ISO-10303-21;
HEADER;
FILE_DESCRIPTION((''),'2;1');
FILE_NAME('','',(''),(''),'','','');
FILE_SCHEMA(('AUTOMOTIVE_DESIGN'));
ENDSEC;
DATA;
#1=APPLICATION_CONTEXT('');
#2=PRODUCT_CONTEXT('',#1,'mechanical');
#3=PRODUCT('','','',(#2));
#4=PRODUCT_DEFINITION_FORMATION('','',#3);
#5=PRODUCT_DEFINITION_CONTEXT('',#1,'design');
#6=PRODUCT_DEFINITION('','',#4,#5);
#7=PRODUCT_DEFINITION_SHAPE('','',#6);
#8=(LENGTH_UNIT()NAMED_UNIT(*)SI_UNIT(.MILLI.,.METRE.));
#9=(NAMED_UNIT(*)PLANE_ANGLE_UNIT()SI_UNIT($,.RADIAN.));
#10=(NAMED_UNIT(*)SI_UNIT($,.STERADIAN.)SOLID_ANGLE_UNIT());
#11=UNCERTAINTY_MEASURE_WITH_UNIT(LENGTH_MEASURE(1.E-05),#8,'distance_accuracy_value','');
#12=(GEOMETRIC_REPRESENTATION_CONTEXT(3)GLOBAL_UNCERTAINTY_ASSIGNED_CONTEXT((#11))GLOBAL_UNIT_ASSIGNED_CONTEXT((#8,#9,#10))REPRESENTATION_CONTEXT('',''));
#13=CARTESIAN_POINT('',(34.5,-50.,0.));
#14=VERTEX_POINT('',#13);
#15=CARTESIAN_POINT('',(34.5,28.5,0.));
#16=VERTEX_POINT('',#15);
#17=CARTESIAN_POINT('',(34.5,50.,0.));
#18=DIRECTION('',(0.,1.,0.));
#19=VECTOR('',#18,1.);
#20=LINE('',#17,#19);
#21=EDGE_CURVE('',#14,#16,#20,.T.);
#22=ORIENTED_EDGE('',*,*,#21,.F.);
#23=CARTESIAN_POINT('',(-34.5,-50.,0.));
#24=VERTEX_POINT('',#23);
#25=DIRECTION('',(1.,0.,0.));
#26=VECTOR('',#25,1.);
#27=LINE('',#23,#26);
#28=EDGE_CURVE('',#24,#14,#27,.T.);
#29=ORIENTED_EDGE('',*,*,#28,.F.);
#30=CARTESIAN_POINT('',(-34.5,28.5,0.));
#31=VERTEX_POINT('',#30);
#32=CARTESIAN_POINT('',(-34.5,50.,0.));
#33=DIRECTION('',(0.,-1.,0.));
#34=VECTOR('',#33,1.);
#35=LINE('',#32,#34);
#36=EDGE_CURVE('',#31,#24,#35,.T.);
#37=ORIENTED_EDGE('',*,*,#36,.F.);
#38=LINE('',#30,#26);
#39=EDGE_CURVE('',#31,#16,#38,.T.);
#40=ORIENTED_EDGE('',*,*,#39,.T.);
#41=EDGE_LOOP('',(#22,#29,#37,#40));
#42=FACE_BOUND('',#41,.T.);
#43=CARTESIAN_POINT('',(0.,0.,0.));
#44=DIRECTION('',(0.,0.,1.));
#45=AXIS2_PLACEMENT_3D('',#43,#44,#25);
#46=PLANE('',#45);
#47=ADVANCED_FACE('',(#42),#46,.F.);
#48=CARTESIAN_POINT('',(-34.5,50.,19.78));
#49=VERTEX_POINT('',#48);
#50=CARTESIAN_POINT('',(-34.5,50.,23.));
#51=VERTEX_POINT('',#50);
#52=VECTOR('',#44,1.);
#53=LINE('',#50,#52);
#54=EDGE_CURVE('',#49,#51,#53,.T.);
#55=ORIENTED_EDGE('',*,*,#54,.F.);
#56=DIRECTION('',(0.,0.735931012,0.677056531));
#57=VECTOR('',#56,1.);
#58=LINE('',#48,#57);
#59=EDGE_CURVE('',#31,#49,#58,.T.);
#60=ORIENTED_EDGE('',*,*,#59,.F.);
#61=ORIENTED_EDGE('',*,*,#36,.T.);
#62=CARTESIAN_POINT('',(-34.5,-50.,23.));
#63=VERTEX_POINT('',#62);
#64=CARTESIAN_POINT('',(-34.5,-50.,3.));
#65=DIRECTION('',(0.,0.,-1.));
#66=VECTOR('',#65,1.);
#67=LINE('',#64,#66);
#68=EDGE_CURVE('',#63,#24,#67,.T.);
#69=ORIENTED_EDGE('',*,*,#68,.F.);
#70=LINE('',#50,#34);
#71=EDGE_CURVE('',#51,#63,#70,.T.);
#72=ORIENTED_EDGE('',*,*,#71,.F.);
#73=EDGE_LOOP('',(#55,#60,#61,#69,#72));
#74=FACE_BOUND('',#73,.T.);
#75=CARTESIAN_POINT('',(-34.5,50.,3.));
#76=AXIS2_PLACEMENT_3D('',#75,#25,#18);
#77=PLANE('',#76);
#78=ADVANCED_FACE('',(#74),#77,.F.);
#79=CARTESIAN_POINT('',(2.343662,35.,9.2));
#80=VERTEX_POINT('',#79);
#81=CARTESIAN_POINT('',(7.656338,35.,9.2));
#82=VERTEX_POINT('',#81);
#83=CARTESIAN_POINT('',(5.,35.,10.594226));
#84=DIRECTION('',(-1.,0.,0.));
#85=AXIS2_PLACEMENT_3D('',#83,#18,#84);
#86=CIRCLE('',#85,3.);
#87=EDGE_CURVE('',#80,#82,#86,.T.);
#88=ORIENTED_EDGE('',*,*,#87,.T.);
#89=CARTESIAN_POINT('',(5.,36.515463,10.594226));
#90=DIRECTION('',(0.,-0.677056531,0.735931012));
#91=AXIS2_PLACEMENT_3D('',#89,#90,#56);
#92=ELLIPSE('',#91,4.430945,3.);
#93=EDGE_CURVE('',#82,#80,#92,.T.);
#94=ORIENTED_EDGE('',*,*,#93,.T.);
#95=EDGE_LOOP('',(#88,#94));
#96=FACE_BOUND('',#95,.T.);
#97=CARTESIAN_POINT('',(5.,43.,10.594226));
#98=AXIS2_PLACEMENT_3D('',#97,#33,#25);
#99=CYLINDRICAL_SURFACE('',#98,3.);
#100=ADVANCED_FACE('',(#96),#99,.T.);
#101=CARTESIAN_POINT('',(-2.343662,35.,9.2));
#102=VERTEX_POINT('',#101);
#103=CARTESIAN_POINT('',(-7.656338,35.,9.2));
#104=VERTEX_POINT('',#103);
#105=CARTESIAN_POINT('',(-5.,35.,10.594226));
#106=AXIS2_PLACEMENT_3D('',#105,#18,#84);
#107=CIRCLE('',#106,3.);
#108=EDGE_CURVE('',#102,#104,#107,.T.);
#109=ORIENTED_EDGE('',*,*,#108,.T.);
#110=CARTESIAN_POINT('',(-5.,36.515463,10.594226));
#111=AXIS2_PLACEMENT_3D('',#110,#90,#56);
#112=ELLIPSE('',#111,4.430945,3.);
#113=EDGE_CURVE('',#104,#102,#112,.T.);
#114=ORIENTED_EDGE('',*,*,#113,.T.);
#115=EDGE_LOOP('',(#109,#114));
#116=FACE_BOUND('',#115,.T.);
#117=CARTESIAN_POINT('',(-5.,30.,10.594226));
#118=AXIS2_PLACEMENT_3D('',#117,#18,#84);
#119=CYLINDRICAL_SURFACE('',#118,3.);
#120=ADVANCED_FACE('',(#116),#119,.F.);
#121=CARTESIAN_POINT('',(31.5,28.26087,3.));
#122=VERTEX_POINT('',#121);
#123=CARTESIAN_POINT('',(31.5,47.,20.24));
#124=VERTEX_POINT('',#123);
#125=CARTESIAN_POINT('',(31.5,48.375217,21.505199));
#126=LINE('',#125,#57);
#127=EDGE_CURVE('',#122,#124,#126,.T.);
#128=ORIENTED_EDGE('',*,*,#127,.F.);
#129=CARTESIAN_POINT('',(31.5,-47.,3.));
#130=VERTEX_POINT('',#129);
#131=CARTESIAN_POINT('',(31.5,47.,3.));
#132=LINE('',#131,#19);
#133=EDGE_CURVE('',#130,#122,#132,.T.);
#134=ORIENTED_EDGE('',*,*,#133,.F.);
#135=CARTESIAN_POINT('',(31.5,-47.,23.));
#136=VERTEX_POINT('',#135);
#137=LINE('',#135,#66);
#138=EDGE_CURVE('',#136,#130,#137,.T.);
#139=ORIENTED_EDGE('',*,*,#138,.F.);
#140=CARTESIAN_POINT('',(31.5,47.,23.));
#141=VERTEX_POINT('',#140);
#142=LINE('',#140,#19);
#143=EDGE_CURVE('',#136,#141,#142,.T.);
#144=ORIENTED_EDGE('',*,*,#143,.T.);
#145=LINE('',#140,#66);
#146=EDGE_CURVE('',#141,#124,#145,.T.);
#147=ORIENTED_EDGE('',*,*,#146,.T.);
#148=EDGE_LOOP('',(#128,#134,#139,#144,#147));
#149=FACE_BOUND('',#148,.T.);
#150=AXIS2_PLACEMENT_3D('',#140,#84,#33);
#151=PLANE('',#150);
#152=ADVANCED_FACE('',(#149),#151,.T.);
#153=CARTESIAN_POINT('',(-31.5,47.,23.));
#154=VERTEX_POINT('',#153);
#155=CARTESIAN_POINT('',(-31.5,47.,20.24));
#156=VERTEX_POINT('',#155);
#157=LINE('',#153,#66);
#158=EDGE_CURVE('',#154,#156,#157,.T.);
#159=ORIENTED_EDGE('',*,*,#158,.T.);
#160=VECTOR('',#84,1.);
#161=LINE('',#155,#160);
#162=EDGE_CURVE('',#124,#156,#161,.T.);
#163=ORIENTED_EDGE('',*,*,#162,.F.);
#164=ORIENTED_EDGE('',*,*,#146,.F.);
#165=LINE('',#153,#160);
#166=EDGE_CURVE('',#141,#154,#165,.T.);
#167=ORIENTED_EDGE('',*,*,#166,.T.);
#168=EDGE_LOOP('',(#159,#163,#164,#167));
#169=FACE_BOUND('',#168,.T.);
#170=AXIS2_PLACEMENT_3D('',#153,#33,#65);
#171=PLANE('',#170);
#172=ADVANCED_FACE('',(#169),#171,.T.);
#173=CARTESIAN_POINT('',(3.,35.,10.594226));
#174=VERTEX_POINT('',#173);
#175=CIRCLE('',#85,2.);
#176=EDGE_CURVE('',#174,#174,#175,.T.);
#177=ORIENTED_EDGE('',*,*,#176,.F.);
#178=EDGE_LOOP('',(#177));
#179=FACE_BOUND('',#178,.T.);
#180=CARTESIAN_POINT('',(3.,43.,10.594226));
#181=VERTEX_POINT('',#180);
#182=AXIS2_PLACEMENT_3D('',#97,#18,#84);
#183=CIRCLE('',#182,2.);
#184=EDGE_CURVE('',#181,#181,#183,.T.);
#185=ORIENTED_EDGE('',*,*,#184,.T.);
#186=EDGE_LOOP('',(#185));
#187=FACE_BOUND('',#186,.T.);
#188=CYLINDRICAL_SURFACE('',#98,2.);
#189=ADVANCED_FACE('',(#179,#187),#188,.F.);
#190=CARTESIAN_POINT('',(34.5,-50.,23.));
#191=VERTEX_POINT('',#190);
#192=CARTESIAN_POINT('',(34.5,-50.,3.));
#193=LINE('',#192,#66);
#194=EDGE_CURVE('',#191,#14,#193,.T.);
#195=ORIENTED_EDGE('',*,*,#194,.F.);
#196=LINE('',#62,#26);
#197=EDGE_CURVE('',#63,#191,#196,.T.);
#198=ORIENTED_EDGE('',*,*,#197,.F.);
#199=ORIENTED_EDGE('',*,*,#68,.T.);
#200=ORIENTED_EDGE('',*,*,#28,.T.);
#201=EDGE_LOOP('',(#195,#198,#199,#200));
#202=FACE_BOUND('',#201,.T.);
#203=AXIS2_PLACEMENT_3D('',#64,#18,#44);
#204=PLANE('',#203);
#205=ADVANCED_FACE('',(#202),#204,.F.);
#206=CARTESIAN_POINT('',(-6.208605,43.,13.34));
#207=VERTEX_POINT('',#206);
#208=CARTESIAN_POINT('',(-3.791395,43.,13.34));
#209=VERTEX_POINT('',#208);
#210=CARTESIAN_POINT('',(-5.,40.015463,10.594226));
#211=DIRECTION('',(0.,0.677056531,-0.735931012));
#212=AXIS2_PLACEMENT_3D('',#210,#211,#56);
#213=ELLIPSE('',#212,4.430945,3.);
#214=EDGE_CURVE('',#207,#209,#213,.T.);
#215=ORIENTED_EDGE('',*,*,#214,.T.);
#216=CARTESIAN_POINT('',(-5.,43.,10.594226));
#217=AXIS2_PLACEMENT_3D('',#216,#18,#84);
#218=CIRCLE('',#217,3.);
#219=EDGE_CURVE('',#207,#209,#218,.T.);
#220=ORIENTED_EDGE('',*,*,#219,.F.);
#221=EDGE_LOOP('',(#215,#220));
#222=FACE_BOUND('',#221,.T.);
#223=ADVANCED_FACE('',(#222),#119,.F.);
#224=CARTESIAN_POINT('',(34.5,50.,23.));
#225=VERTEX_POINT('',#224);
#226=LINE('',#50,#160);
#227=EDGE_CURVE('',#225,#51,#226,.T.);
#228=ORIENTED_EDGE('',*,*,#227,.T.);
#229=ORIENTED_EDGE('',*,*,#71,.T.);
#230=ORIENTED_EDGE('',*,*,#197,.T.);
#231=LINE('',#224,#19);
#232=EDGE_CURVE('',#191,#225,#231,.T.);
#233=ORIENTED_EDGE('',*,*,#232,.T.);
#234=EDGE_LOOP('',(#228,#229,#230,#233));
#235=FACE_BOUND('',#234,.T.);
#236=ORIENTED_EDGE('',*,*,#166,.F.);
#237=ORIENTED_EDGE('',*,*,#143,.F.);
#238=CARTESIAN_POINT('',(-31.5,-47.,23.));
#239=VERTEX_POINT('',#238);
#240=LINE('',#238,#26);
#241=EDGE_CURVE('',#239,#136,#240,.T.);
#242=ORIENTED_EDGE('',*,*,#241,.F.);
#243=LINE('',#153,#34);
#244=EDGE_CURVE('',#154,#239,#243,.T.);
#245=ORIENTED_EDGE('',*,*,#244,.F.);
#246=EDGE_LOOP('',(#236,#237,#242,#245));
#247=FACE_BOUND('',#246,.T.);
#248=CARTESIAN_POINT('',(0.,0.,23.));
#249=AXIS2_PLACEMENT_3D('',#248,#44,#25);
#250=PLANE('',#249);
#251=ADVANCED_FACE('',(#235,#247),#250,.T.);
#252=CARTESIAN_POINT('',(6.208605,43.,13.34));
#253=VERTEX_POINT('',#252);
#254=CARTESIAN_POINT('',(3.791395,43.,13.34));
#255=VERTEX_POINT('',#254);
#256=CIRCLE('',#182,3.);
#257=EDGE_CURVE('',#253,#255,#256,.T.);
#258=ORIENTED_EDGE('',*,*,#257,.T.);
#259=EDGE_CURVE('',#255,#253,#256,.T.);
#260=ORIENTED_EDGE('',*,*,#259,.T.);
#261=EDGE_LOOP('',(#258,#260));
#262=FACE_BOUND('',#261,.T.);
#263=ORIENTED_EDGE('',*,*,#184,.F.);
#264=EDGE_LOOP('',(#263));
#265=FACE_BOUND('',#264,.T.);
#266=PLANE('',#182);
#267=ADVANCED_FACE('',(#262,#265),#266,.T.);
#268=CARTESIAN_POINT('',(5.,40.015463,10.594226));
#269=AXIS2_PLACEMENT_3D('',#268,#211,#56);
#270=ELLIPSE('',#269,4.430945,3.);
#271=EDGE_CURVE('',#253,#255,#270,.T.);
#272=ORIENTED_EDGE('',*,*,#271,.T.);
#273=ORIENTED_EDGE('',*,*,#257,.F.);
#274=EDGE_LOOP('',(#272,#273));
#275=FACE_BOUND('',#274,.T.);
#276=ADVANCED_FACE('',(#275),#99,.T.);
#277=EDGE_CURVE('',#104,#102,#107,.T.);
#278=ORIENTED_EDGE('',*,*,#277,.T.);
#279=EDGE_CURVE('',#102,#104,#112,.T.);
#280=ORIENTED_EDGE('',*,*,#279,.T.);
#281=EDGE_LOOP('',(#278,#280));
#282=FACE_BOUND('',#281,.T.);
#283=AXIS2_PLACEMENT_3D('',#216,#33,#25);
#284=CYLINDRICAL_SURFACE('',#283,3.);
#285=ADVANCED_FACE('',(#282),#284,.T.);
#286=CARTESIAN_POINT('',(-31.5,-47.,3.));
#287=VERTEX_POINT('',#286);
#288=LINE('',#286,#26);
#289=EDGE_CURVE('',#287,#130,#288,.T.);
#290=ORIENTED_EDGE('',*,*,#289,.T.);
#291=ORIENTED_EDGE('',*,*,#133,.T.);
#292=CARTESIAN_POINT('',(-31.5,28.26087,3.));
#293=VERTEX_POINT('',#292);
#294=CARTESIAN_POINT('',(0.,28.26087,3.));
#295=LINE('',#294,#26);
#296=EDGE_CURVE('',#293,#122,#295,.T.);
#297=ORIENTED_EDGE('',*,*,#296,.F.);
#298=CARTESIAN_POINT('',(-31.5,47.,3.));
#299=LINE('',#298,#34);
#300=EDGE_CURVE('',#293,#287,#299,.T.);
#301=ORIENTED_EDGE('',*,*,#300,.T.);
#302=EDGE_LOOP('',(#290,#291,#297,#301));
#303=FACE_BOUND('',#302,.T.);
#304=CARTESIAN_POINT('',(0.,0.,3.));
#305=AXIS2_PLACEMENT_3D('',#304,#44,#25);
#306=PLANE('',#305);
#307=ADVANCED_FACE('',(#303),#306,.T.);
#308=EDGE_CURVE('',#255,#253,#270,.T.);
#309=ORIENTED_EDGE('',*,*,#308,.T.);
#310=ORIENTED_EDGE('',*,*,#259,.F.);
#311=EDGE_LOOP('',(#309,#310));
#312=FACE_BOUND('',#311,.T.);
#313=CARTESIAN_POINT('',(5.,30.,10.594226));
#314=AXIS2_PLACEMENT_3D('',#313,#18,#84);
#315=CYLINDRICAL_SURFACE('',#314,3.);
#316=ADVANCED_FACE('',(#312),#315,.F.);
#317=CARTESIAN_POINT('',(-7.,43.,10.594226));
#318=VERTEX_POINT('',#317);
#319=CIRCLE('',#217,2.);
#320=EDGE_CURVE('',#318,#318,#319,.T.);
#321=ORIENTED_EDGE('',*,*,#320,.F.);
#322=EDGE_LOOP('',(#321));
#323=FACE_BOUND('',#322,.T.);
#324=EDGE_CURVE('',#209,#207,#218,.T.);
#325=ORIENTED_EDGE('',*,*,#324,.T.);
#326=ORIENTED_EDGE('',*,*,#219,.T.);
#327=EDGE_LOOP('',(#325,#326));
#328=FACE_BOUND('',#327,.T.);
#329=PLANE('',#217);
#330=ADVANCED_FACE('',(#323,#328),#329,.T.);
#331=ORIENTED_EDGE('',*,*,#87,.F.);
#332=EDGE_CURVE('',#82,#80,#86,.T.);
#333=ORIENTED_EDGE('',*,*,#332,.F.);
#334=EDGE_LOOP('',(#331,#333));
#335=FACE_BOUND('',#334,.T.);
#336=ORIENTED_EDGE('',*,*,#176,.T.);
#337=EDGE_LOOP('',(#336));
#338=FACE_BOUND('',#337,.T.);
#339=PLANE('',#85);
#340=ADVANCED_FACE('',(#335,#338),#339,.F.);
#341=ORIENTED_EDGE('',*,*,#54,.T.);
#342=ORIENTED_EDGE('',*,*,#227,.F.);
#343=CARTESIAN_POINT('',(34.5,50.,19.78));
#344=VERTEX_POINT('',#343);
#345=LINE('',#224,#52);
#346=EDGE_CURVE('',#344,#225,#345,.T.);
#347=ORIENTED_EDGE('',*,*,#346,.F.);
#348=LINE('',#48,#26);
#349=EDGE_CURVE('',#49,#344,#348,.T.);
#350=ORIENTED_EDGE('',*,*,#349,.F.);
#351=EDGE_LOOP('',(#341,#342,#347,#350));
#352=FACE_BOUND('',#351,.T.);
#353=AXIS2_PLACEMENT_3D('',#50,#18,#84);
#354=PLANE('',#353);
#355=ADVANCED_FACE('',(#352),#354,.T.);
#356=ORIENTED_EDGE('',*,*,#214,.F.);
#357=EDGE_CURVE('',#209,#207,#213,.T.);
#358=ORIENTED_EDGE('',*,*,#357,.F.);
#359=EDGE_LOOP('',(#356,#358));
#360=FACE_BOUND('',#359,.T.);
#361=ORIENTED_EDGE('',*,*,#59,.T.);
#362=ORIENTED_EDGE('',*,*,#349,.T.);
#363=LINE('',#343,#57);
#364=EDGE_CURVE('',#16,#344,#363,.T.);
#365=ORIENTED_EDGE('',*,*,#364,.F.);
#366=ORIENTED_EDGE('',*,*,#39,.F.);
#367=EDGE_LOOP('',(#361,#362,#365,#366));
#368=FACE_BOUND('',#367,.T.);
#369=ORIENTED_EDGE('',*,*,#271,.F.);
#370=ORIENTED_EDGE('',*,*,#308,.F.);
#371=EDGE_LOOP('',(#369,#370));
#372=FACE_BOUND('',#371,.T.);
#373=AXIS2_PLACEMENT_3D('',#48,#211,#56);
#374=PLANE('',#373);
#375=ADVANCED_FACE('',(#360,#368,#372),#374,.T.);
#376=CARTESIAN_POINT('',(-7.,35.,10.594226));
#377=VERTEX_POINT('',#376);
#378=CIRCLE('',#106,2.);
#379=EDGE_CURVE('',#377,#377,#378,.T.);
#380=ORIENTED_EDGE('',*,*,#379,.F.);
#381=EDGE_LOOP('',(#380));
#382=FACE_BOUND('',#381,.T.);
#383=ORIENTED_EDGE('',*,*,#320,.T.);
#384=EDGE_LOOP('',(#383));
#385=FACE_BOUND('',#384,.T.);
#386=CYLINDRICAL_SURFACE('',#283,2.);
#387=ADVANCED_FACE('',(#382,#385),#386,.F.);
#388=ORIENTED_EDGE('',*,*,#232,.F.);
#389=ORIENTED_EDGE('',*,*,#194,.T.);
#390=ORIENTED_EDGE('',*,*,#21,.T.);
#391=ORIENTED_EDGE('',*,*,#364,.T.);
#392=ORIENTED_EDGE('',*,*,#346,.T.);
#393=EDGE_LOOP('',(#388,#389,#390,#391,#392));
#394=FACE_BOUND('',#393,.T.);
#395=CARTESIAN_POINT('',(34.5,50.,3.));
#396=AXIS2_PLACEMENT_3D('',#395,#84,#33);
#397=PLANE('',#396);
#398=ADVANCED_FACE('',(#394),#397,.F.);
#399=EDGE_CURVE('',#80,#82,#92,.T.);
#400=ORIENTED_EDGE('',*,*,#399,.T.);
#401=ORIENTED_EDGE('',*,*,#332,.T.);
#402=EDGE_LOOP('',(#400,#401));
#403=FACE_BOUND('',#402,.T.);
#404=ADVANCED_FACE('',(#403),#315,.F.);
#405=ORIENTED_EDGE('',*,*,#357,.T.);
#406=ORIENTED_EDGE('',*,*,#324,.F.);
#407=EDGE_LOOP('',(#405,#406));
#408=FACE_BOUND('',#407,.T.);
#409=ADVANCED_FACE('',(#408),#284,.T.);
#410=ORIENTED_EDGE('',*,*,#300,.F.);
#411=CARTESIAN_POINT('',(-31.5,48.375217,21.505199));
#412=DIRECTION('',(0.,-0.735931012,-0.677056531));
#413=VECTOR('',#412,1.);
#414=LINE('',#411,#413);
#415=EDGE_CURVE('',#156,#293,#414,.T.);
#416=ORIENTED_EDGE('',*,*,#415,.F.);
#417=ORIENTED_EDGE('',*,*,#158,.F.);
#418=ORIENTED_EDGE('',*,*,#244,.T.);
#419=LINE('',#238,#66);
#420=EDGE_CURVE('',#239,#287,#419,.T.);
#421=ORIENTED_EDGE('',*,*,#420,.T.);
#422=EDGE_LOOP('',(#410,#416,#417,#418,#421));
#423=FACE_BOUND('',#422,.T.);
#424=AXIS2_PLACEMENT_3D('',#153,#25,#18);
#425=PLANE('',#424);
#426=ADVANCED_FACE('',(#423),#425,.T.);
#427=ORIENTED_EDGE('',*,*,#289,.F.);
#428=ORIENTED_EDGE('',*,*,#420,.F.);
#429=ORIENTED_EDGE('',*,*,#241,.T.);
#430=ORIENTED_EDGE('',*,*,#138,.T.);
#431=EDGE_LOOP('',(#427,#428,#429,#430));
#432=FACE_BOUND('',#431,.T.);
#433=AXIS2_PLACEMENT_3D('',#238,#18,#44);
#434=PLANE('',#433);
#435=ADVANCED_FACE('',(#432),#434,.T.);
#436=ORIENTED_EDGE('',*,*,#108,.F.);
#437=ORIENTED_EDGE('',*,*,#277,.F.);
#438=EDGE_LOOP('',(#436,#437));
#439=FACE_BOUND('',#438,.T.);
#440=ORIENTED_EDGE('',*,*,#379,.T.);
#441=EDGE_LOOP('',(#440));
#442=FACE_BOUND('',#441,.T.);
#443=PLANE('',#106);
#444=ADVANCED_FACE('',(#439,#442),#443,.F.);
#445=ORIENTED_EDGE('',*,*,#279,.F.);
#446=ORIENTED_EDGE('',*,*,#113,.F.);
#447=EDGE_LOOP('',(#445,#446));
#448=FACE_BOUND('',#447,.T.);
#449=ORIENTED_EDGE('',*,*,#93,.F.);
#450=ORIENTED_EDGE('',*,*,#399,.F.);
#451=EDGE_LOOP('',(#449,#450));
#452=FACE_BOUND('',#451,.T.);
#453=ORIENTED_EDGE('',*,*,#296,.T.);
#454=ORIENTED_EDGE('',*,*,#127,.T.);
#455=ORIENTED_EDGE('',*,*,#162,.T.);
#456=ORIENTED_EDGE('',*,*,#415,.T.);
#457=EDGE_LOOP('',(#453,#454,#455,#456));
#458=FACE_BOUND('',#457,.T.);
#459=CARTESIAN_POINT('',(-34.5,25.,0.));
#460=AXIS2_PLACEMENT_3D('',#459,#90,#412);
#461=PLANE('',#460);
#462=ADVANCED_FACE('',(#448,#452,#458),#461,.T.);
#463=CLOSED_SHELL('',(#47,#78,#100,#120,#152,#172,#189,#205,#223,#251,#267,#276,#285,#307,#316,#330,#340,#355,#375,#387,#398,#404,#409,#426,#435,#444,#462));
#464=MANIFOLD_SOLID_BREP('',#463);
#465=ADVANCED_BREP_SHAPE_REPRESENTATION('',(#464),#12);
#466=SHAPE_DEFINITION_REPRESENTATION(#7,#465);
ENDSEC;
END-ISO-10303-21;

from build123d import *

# Parameters (mm, degrees)
IZIM1_W                     = 69
IZIM1_H                     = 100
Y_KSEKLIK_EKSTR_ZYON1_DEPTH = 3
IZIM2_W                     = 69
IZIM2_H                     = 100
IZIM2_W_2                   = 63
IZIM2_H_2                   = 94
Y_KSEKLIK_EKSTR_ZYON2_DEPTH = 20
KES_EKSTR_ZYON1_DEPTH       = 70
Y_KSEKLIK_EKSTR_ZYON3_DEPTH = 69
IZIM5_R                     = 3
KES_EKSTR_ZYON2_DEPTH       = 20
Y_KSEKLIK_EKSTR_ZYON4_START = -15
IZIM6_R                     = 3
IZIM6_R_2                   = 2
Y_KSEKLIK_EKSTR_ZYON4_DEPTH = 8


with BuildPart() as part:
    # Çizim1 → Yükseklik-Ekstrüzyon1 (new body)
    with BuildSketch(Plane.XY):
        Rectangle(IZIM1_W, IZIM1_H)
    extrude(amount=Y_KSEKLIK_EKSTR_ZYON1_DEPTH)

    # Çizim2 → Yükseklik-Ekstrüzyon2 (add)
    with BuildSketch(Plane.XY.offset(3)):
        Rectangle(IZIM2_W, IZIM2_H)
        Rectangle(IZIM2_W_2, IZIM2_H_2, mode=Mode.SUBTRACT)
    extrude(amount=Y_KSEKLIK_EKSTR_ZYON2_DEPTH)

    # Çizim3 → Kes-Ekstrüzyon1 (cut, through all)
    with BuildSketch(Plane(origin=(34.5, 0, 0), x_dir=(0, 0, -1), z_dir=(1, 0, 0))):
        Polygon((-23, 50), (0, 25), (0, 50), align=None)
    extrude(amount=-KES_EKSTR_ZYON1_DEPTH, mode=Mode.SUBTRACT)

    # Çizim4 → Yükseklik-Ekstrüzyon3 (add, through all)
    with BuildSketch(Plane(origin=(34.5, 0, 0), x_dir=(0, 0, -1), z_dir=(1, 0, 0))):
        Polygon((-23, 50), (-19.78, 50), (0, 28.5), (0, 25), align=None)
    extrude(amount=-Y_KSEKLIK_EKSTR_ZYON3_DEPTH)

    # Çizim5 → Kes-Ekstrüzyon2 (cut)
    with BuildSketch(Plane(origin=(0, 50, 0), x_dir=(1, 0, 0), z_dir=(0, 1, 0))):
        with Locations((-5, -10.594226135)):
            Circle(IZIM5_R)
        with Locations((5, -10.594226135)):
            Circle(IZIM5_R)
    extrude(amount=-KES_EKSTR_ZYON2_DEPTH, mode=Mode.SUBTRACT)

    # Çizim6 → Yükseklik-Ekstrüzyon4 (add)
    with BuildSketch(Plane(origin=(0, 50, 0), x_dir=(1, 0, 0), z_dir=(0, 1, 0)).offset(Y_KSEKLIK_EKSTR_ZYON4_START)):
        with Locations((-5, -10.594226135)):
            Circle(IZIM6_R)
        with Locations((-5, -10.594226135)):
            Circle(IZIM6_R_2, mode=Mode.SUBTRACT)
        with Locations((5, -10.594226135)):
            Circle(IZIM6_R)
        with Locations((5, -10.594226135)):
            Circle(IZIM6_R_2, mode=Mode.SUBTRACT)
    extrude(amount=Y_KSEKLIK_EKSTR_ZYON4_DEPTH)


solid = part.part
